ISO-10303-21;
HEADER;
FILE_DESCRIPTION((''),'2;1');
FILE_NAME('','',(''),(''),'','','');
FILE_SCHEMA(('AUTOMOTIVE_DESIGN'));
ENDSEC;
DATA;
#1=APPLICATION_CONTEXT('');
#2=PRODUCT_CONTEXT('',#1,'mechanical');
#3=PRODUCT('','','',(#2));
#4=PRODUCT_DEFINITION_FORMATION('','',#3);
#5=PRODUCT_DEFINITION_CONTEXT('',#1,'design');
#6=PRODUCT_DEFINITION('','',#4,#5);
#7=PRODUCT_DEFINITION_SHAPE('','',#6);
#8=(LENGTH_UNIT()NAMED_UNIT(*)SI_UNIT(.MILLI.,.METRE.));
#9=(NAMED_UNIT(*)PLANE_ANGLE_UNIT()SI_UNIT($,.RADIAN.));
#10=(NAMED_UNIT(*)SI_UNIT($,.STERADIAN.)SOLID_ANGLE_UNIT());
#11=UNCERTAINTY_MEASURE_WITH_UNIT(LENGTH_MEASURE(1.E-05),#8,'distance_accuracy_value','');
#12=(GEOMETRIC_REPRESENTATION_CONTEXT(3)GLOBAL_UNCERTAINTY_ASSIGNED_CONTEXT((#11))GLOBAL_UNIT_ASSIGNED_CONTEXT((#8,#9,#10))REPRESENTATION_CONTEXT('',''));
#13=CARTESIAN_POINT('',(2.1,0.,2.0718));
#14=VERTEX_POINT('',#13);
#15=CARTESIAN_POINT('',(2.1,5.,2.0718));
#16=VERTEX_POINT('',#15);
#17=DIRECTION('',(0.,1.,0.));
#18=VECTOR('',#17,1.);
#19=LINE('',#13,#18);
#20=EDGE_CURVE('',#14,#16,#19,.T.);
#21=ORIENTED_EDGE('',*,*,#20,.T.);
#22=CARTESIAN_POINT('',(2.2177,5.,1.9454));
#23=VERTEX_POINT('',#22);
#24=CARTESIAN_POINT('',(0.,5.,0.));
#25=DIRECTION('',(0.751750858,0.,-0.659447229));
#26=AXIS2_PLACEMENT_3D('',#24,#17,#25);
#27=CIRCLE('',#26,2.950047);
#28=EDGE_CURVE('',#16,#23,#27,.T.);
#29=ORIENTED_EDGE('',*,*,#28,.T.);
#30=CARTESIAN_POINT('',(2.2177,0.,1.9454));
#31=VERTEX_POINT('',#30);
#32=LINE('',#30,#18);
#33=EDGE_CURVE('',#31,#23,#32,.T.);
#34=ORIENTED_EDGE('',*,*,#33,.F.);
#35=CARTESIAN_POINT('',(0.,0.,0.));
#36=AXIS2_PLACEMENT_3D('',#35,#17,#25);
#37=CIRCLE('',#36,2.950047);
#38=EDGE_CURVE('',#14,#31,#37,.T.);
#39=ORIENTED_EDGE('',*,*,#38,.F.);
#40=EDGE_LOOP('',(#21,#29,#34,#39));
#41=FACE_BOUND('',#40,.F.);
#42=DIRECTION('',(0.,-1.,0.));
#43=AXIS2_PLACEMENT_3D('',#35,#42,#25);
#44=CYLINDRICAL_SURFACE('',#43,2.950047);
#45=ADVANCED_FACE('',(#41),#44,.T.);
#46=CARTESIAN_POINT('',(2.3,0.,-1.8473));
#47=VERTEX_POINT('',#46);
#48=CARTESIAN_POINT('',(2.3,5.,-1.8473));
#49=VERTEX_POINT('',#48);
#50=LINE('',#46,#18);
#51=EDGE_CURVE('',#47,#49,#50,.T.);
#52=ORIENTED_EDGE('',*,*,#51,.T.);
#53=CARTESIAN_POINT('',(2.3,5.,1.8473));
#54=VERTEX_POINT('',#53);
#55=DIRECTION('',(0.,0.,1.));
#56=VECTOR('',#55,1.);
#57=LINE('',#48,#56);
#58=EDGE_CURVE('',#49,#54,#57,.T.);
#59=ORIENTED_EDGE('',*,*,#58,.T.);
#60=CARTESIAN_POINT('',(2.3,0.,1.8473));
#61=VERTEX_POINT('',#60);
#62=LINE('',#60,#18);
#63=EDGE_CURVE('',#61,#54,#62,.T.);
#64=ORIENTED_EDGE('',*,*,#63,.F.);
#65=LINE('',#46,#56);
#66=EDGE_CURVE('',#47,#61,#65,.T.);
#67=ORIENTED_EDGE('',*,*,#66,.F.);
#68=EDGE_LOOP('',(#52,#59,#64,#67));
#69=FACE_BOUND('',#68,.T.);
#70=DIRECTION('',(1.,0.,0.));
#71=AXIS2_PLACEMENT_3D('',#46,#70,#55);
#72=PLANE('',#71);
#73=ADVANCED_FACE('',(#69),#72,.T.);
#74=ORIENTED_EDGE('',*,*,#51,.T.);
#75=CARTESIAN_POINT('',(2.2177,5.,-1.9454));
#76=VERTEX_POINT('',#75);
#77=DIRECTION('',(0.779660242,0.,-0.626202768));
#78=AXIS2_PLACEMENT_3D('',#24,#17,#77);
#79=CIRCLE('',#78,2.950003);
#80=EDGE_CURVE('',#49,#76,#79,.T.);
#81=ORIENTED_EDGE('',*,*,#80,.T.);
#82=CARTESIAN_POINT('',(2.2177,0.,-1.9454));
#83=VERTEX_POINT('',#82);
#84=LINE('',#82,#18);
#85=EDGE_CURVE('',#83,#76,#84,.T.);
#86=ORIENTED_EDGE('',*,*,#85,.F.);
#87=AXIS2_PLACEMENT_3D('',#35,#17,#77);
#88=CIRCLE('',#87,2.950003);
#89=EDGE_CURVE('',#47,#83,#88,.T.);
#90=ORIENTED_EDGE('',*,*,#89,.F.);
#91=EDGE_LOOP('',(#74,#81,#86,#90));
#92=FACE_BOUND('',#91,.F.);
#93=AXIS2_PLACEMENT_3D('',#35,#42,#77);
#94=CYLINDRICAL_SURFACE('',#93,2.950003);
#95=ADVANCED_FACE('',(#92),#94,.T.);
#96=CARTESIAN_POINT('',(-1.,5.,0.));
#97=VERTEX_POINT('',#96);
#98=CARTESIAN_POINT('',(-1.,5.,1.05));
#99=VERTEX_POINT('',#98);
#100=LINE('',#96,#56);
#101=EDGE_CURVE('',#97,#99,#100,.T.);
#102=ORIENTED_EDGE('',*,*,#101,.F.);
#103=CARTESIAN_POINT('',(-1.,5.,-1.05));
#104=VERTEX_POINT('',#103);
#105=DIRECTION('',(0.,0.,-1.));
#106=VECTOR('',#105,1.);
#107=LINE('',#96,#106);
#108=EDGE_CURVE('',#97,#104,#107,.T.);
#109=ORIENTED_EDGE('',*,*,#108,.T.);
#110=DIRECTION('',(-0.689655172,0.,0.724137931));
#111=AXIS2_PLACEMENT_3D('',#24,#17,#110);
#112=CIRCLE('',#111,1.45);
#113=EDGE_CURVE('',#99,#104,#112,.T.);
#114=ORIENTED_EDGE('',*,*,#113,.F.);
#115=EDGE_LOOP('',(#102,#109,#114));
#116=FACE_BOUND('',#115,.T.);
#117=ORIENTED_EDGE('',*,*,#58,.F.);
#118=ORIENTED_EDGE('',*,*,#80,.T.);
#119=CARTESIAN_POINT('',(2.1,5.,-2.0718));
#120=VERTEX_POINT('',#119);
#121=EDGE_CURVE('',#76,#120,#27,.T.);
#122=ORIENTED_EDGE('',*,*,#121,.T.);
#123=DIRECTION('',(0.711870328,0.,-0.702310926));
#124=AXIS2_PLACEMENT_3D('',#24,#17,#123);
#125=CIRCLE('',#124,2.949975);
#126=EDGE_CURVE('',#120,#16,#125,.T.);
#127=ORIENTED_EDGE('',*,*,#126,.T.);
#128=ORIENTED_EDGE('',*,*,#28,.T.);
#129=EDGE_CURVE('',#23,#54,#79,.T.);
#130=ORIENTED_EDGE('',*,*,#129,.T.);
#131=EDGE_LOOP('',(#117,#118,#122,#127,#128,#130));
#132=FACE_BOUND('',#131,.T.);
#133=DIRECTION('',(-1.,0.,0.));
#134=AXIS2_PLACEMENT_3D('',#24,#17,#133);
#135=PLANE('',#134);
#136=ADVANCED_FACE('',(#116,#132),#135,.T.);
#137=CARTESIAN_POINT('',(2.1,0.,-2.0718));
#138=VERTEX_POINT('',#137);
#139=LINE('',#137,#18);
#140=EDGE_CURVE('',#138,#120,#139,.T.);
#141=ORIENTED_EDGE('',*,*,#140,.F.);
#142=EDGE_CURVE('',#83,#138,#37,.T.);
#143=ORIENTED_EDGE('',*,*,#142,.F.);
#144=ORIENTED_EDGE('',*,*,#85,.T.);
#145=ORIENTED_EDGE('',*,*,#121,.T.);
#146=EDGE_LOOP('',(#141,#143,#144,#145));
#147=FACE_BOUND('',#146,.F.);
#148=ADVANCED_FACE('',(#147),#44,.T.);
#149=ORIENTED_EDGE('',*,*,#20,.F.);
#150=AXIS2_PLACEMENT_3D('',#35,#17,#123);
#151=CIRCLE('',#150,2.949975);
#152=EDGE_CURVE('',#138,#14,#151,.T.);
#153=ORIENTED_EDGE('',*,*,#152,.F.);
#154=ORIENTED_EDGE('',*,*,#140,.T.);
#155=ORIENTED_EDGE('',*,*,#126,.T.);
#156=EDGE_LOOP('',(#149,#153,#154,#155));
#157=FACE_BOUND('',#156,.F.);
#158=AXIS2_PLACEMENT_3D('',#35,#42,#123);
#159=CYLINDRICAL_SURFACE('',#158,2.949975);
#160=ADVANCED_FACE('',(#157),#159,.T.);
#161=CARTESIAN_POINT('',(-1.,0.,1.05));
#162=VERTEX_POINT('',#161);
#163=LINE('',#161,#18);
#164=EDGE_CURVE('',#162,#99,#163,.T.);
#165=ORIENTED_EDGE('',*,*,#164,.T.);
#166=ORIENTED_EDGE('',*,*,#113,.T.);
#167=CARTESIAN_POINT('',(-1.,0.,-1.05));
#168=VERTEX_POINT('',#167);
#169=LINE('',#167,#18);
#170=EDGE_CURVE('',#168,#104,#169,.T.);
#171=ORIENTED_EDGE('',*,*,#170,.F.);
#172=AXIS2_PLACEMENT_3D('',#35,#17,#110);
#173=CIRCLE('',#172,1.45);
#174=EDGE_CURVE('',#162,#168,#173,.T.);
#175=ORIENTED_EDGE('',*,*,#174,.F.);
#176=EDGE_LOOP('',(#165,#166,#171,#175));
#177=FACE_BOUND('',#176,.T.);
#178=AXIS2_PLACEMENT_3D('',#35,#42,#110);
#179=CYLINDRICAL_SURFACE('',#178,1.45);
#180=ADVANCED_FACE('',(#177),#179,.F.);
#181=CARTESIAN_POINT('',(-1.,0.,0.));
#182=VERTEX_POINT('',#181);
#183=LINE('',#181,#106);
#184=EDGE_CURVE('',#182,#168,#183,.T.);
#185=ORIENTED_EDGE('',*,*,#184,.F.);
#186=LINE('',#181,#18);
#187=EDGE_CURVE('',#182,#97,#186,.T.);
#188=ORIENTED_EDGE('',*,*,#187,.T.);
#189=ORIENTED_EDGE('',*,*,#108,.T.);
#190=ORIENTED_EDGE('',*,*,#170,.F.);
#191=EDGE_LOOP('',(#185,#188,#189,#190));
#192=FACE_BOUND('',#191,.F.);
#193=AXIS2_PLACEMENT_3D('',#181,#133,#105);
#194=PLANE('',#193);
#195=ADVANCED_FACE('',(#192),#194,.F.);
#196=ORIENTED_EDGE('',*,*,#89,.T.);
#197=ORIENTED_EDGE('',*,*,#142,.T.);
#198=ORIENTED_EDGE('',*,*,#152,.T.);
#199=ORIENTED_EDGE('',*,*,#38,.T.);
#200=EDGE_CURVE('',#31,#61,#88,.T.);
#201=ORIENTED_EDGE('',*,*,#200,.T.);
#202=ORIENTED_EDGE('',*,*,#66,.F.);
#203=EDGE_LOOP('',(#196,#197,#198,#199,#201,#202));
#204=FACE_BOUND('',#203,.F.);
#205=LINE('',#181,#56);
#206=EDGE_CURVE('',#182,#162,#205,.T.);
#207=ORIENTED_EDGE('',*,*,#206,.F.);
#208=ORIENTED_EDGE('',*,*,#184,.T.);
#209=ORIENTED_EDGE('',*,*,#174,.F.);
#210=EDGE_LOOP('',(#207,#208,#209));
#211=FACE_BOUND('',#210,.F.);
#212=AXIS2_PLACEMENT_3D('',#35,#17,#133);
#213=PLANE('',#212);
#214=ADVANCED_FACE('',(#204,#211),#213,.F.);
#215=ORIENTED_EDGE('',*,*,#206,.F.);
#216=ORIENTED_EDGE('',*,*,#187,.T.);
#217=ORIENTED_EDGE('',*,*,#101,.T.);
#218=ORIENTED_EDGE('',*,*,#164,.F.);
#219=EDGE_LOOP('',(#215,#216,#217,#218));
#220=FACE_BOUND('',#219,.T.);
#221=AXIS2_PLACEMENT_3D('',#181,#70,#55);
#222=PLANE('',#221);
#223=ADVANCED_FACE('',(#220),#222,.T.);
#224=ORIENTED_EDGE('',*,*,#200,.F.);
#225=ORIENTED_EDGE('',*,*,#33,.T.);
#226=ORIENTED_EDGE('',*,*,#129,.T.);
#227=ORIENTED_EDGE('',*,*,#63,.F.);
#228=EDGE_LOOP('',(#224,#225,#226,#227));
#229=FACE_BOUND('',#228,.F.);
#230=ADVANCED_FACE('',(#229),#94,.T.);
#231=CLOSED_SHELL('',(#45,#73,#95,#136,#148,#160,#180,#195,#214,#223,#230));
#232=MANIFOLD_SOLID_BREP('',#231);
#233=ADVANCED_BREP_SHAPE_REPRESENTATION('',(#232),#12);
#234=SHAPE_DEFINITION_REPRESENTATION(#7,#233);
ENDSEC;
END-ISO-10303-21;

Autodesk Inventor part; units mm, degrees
ref_plane "YZ Plane" through (0, 0, 0) normal (1, 0, 0) x (0, 1, 0)
ref_plane "XZ Plane" through (0, 0, 0) normal (0, 1, 0) x (-1, 0, 0)
ref_plane "XY Plane" through (0, 0, 0) normal (0, 0, 1) x (1, 0, 0)
sketch "Sketch1" plane through (0, 0, 0) normal (0, 1, 0) x (-1, 0, 0)
  arc A0 (-2.1, -2.0718) -> (-2.1, 2.0718) centre (0, 0) ccw
  arc A1 (1, 1.05) -> (1, -1.05) centre (0, 0) ccw
  line L0 (1, 0) -> (1, 1.05)
  line L1 (1, 0) -> (1, -1.05)
  arc A2 (-2.2177, -1.9454) -> (-2.2177, 1.9454) centre (0, 0) ccw
  line L2 (-2.3, -1.8473) -> (-2.3, 1.8473)
  arc A3 (-2.3, -1.8473) -> (-2.3, 1.8473) centre (0, 0) ccw
  dimension "d0" = 5.9
  dimension "d1" = 2.9
  dimension "d2" = 1
  dimension "d7" = 2.3
extrude "Extrusion1" add sketch "Sketch1" along normal blind 5
properties part number "shaft-adapter"
